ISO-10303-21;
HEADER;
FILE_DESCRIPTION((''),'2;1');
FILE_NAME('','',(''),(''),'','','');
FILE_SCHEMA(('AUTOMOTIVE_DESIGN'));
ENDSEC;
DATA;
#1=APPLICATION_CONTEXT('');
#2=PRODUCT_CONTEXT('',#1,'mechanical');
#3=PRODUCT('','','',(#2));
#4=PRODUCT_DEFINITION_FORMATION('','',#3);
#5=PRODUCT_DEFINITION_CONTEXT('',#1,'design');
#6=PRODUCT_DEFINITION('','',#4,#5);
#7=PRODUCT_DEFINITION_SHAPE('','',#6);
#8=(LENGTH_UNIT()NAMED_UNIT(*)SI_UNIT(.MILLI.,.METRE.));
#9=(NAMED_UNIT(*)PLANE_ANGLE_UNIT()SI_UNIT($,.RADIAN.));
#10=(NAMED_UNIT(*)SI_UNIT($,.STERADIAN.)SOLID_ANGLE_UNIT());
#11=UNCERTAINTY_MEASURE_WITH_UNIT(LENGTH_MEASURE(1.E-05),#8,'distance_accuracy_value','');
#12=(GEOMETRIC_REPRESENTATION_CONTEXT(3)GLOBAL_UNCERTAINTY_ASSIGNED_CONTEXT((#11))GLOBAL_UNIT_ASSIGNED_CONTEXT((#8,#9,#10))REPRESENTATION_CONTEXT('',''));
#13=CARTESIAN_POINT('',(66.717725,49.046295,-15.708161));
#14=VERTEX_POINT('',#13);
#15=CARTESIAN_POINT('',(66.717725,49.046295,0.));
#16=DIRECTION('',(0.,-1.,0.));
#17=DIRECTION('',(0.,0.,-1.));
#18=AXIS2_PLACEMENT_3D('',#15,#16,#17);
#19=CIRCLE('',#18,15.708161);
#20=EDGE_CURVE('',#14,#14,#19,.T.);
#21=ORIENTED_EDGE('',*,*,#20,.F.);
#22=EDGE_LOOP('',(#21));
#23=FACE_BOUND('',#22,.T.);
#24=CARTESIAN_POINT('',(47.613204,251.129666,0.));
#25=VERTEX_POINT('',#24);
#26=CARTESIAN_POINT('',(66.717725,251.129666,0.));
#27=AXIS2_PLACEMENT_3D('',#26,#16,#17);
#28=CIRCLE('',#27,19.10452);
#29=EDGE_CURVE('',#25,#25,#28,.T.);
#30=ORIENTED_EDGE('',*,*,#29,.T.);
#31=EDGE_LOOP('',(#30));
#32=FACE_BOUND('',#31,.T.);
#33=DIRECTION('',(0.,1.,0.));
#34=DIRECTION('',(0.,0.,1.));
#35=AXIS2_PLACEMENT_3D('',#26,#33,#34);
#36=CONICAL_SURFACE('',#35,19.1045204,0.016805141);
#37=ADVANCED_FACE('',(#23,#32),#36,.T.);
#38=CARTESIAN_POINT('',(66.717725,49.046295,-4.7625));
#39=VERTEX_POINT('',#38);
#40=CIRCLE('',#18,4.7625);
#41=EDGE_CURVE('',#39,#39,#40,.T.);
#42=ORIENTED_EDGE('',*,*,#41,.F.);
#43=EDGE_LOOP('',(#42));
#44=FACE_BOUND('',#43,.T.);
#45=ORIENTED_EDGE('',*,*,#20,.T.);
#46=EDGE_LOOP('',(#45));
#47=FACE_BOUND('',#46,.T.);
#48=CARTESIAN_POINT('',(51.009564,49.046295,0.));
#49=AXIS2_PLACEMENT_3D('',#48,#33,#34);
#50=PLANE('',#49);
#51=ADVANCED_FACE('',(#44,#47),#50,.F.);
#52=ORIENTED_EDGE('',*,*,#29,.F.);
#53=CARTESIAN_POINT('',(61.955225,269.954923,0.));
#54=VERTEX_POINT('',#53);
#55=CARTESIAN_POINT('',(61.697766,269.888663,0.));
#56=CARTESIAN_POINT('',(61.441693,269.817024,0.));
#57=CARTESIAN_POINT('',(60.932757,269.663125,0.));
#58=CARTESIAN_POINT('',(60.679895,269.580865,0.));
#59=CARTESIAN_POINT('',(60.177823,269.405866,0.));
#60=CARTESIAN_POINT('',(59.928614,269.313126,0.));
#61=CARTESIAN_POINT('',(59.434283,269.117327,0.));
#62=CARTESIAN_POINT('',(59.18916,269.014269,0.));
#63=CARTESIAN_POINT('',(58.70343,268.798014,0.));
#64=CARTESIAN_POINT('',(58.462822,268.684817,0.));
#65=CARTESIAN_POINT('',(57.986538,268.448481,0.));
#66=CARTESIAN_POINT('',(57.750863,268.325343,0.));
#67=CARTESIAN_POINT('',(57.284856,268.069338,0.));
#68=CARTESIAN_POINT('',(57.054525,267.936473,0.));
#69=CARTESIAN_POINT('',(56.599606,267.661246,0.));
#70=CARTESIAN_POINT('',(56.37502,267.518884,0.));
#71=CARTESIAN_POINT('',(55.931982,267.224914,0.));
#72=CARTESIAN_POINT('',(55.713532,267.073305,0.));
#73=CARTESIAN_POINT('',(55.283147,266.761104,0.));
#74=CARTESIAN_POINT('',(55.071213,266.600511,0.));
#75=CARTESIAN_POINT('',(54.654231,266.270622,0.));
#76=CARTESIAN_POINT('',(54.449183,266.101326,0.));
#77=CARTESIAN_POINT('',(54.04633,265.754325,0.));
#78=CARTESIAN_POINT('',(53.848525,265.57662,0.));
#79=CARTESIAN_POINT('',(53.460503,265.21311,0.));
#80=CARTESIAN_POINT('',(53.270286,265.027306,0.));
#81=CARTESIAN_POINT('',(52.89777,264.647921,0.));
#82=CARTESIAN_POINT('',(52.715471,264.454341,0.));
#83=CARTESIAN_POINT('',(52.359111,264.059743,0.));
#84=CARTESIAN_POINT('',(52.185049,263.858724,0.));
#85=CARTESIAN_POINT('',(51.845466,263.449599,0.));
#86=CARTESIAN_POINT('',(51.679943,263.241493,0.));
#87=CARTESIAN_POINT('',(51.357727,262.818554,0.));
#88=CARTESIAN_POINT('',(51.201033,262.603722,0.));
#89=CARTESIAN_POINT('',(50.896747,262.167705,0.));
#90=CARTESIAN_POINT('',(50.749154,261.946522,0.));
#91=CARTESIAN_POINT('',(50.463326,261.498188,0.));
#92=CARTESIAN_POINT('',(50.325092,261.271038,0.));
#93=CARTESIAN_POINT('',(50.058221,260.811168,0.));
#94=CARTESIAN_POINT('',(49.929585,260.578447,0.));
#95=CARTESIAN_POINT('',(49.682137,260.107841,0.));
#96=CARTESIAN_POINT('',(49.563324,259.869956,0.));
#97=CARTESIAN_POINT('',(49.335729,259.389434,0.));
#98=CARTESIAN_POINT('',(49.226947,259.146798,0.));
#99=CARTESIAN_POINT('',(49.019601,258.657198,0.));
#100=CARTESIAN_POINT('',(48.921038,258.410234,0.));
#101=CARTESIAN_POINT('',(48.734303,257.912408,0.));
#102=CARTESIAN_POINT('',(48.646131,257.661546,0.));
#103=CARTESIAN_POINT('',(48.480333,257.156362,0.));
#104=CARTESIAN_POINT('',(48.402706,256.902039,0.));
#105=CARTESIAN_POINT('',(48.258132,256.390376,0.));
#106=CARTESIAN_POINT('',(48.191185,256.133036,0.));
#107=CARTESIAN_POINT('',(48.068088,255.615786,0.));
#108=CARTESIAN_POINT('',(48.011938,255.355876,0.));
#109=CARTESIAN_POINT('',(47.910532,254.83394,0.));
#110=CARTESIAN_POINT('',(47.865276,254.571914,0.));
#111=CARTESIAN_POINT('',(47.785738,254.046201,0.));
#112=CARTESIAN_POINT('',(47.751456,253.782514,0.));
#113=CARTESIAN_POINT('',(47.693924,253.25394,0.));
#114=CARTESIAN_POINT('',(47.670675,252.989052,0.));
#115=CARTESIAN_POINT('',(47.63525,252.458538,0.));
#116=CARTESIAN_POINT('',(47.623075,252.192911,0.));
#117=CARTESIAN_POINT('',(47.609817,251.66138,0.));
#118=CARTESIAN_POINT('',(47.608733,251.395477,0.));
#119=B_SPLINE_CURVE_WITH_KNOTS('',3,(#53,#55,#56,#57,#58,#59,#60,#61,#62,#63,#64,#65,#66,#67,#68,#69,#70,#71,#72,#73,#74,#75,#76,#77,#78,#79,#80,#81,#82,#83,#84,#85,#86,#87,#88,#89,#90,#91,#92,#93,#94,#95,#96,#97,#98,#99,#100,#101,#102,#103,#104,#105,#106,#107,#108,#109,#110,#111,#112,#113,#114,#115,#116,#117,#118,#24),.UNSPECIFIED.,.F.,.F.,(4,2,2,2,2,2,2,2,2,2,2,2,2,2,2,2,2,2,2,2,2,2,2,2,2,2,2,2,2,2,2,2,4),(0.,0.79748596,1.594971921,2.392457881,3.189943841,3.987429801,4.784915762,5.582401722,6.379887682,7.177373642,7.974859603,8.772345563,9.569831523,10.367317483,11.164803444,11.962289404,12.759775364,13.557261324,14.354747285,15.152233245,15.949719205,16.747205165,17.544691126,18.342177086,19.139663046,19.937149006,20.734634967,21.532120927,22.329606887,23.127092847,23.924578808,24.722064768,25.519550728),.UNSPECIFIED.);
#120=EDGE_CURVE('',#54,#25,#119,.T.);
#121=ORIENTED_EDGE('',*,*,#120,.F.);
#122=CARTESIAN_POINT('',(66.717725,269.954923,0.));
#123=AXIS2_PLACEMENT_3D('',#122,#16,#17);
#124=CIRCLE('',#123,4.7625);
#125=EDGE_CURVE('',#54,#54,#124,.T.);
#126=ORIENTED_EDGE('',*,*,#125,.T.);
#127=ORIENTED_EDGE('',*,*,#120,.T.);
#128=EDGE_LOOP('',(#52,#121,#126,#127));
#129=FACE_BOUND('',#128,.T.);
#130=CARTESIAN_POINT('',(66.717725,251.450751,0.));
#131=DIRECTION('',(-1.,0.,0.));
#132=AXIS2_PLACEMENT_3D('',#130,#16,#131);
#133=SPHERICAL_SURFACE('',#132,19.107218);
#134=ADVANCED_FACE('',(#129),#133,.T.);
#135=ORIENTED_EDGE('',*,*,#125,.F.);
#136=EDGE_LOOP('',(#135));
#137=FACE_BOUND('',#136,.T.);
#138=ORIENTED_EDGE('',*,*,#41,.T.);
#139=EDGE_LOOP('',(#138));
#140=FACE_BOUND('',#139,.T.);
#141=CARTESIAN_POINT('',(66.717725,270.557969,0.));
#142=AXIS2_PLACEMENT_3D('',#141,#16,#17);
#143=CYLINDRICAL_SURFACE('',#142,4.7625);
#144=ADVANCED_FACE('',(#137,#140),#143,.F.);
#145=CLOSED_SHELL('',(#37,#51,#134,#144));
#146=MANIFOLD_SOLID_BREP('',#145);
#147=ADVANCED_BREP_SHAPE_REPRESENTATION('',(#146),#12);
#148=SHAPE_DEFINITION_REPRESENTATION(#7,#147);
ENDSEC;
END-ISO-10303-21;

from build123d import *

# Parameters (mm, degrees)
SKETCH5_R          = 4.7625
CUT_EXTRUDE2_DEPTH = 239.324208658


with BuildPart() as part:
    # Sketch1 → Revolve1 (revolve)
    with BuildSketch(Plane.XY, mode=Mode.PRIVATE) as revolve1_sk:
        Polygon((66.717724762, 49.046294838), (66.717724762, 251.12966618), (47.613204362, 251.12966618), (51.009563545, 49.046294838), align=None)
    revolve(revolve1_sk.sketch.rotate(Axis((66.717724762, 49.046294838, 0), (0, 1, 0)), 270), axis=Axis((66.717724762, 49.046294838, 0), (0, 1, 0)))

    # Sketch4 → Revolve3 (revolve)
    with BuildSketch(Plane.XY):
        with BuildLine():
            Line((66.717724762, 251.12966618), (66.717724762, 270.557968954))
            ThreePointArc((66.717724762, 270.557968954), (53.093833538, 264.847592826), (47.613204362, 251.12966618))
            Line((47.613204362, 251.12966618), (66.717724762, 251.12966618))
        make_face()
    revolve(axis=Axis((66.717724762, 251.12966618, 0), (0, 1, 0)))

    # Sketch5 → Cut-Extrude2 (cut, through all)
    with BuildSketch(Plane.XZ.offset(-49.046294838)):
        with Locations(Location((66.717724762, 0, 0), (0, 0, 270))):
            Circle(SKETCH5_R)
    extrude(amount=-CUT_EXTRUDE2_DEPTH, mode=Mode.SUBTRACT)


solid = part.part
